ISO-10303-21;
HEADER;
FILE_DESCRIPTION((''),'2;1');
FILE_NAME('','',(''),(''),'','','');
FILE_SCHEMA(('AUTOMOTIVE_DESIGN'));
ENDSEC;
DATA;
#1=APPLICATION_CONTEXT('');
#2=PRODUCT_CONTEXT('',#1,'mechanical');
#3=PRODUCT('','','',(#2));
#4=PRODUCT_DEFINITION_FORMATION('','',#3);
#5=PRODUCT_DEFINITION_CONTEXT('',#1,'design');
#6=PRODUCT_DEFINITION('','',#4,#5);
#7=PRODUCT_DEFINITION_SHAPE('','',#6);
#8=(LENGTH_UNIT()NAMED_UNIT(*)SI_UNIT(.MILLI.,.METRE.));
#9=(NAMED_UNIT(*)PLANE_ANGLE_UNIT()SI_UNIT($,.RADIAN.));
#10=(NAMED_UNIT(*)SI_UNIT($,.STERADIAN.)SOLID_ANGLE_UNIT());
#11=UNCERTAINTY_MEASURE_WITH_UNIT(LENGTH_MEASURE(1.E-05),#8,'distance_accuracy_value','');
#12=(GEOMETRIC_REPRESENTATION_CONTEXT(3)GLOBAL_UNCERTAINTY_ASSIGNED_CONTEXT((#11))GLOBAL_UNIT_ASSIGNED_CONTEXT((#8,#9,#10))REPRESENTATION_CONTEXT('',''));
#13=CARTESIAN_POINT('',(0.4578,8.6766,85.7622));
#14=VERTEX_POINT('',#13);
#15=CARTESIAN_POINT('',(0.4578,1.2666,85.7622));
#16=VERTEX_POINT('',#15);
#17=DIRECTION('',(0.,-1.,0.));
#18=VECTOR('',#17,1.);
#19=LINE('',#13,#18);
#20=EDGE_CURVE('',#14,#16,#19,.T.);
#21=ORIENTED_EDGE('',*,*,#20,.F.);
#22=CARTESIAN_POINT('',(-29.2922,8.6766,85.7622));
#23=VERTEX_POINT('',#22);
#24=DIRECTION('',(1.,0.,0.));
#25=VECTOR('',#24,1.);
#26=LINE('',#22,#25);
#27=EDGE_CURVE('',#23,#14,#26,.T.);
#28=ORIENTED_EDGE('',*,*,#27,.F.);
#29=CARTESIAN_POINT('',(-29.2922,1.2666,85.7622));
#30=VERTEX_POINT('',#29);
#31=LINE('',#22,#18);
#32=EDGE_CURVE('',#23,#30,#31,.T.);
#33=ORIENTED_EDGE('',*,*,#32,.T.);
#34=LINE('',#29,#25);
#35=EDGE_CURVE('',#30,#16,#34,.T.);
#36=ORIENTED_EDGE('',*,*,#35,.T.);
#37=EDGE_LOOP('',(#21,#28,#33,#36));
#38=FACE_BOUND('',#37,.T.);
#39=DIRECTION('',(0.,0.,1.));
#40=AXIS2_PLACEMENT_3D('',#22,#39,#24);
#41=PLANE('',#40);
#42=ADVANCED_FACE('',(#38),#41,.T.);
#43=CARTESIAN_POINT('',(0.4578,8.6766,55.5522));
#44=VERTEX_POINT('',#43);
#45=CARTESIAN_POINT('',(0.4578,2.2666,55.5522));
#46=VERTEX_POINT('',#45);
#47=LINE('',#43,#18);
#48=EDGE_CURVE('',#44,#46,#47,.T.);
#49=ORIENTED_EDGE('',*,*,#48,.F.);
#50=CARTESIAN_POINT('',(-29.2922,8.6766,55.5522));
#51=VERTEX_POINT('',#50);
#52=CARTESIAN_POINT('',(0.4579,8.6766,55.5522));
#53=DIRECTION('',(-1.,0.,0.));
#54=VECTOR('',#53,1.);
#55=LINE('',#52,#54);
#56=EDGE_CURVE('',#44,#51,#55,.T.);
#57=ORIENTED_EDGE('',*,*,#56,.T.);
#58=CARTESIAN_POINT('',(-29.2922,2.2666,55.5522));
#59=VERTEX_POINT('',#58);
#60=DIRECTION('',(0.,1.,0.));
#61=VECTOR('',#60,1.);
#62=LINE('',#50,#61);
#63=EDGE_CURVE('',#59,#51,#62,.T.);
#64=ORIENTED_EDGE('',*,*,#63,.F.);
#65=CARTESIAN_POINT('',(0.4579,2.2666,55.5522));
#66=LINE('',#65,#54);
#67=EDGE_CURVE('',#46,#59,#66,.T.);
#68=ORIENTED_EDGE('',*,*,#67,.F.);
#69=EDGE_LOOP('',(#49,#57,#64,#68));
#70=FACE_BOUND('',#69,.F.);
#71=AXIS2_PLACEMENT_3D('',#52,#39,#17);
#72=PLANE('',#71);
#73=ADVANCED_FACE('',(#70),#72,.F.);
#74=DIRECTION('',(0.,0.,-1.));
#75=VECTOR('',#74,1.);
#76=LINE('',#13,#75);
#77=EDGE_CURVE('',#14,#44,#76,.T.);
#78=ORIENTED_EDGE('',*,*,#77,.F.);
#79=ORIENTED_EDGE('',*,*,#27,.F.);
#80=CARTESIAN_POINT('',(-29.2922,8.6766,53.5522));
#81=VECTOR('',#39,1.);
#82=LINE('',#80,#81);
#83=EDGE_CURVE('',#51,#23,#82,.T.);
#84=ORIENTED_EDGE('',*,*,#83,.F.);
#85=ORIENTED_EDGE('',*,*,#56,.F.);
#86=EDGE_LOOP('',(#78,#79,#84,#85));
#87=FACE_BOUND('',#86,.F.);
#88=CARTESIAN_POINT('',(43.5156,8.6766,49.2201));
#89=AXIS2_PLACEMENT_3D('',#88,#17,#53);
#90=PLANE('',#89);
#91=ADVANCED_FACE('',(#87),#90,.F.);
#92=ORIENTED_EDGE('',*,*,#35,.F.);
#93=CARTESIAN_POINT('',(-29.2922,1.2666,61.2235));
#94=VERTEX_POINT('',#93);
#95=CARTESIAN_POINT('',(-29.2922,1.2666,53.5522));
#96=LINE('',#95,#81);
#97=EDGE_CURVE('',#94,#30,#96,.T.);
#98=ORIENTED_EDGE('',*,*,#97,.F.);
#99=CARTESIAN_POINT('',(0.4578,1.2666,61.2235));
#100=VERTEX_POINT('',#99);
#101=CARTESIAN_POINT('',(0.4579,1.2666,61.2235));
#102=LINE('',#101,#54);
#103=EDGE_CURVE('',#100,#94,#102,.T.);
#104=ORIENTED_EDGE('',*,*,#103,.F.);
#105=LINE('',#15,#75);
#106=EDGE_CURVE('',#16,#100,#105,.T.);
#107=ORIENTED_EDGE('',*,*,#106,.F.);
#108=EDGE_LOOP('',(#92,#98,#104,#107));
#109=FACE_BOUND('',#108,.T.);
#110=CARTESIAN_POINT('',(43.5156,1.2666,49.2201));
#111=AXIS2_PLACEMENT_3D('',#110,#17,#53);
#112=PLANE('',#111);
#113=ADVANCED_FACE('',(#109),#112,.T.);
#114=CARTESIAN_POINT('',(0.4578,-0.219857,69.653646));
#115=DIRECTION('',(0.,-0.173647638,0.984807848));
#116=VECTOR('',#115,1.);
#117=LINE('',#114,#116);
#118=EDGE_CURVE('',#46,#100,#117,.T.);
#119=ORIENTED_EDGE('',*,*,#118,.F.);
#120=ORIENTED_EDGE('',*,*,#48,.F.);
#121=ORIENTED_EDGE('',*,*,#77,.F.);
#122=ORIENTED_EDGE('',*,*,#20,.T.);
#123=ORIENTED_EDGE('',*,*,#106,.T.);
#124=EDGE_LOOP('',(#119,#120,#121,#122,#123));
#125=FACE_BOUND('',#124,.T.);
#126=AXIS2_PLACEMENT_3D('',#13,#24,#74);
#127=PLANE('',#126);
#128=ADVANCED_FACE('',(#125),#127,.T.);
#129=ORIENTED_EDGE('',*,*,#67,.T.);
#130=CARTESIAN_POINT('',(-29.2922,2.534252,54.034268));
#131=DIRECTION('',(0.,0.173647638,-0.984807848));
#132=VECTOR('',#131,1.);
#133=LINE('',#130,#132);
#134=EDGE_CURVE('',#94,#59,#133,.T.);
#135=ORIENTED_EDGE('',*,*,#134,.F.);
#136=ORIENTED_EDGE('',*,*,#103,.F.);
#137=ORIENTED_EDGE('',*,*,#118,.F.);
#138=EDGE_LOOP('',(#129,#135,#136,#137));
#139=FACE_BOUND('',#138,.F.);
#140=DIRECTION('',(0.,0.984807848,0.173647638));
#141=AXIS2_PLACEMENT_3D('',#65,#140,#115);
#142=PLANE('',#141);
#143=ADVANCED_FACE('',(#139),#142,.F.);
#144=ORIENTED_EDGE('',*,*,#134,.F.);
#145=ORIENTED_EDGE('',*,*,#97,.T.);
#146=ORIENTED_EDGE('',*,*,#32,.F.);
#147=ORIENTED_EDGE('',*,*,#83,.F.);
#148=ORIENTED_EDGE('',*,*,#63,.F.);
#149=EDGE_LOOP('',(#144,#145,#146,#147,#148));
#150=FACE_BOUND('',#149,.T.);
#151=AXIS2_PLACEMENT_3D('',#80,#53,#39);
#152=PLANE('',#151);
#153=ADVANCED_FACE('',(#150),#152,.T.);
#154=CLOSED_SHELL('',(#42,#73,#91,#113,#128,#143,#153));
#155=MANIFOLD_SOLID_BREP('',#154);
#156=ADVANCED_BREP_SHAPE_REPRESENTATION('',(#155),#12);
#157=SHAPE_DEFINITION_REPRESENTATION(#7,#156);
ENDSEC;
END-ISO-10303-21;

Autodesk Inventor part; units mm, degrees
ref_plane "Work Plane1" through (43.5156, 8.6766, 49.2201) normal (0, -1, 0) x (-1, 0, 0)
sketch "Sketch1" plane through (43.5156, 8.6766, 49.2201) normal (0, -1, 0) x (-1, 0, 0)
  line L0 (43.0578, -4.3321) -> (72.8078, -4.3321)
  line L1 (72.8078, -4.3321) -> (72.8078, -36.5421)
  line L2 (72.8078, -36.5421) -> (43.0578, -36.5421)
  line L3 (43.0578, -36.5421) -> (43.0578, -4.3321)
  dimension "d0" = 29.75
  dimension "d1" = 32.21
extrude "Extrusion1" add sketch "Sketch1" along normal blind 7.41
ref_plane "Work Plane2" through (-14.4171, 8.6766, 85.7622) normal (1, 0, 0) x (0, 0, -1)
ref_plane "Work Plane3" through (-29.2921, 1.2666, 53.5522) normal (0, -0.7071, -0.7071) x (1, 0, 0)
sketch "Sketch2" plane through (0.4579, 8.6766, 85.7622) normal (1, 0, 0) x (0, 0, -1)
  line L0 (32.21, 0) -> (30.21, 0)
  line L1 (30.21, 0) -> (30.21, -6.41)
  line L2 (30.21, -7.41) -> (32.21, -7.41)
  line L3 (32.21, -7.41) -> (32.21, 0)
  line L4 (30.21, -6.41) -> (24.5387, -7.41)
  line L5 (24.5387, -7.41) -> (30.21, -7.41)
extrude "Extrusion2" cut sketch "Sketch2" against normal through all
properties part number "Battery"
